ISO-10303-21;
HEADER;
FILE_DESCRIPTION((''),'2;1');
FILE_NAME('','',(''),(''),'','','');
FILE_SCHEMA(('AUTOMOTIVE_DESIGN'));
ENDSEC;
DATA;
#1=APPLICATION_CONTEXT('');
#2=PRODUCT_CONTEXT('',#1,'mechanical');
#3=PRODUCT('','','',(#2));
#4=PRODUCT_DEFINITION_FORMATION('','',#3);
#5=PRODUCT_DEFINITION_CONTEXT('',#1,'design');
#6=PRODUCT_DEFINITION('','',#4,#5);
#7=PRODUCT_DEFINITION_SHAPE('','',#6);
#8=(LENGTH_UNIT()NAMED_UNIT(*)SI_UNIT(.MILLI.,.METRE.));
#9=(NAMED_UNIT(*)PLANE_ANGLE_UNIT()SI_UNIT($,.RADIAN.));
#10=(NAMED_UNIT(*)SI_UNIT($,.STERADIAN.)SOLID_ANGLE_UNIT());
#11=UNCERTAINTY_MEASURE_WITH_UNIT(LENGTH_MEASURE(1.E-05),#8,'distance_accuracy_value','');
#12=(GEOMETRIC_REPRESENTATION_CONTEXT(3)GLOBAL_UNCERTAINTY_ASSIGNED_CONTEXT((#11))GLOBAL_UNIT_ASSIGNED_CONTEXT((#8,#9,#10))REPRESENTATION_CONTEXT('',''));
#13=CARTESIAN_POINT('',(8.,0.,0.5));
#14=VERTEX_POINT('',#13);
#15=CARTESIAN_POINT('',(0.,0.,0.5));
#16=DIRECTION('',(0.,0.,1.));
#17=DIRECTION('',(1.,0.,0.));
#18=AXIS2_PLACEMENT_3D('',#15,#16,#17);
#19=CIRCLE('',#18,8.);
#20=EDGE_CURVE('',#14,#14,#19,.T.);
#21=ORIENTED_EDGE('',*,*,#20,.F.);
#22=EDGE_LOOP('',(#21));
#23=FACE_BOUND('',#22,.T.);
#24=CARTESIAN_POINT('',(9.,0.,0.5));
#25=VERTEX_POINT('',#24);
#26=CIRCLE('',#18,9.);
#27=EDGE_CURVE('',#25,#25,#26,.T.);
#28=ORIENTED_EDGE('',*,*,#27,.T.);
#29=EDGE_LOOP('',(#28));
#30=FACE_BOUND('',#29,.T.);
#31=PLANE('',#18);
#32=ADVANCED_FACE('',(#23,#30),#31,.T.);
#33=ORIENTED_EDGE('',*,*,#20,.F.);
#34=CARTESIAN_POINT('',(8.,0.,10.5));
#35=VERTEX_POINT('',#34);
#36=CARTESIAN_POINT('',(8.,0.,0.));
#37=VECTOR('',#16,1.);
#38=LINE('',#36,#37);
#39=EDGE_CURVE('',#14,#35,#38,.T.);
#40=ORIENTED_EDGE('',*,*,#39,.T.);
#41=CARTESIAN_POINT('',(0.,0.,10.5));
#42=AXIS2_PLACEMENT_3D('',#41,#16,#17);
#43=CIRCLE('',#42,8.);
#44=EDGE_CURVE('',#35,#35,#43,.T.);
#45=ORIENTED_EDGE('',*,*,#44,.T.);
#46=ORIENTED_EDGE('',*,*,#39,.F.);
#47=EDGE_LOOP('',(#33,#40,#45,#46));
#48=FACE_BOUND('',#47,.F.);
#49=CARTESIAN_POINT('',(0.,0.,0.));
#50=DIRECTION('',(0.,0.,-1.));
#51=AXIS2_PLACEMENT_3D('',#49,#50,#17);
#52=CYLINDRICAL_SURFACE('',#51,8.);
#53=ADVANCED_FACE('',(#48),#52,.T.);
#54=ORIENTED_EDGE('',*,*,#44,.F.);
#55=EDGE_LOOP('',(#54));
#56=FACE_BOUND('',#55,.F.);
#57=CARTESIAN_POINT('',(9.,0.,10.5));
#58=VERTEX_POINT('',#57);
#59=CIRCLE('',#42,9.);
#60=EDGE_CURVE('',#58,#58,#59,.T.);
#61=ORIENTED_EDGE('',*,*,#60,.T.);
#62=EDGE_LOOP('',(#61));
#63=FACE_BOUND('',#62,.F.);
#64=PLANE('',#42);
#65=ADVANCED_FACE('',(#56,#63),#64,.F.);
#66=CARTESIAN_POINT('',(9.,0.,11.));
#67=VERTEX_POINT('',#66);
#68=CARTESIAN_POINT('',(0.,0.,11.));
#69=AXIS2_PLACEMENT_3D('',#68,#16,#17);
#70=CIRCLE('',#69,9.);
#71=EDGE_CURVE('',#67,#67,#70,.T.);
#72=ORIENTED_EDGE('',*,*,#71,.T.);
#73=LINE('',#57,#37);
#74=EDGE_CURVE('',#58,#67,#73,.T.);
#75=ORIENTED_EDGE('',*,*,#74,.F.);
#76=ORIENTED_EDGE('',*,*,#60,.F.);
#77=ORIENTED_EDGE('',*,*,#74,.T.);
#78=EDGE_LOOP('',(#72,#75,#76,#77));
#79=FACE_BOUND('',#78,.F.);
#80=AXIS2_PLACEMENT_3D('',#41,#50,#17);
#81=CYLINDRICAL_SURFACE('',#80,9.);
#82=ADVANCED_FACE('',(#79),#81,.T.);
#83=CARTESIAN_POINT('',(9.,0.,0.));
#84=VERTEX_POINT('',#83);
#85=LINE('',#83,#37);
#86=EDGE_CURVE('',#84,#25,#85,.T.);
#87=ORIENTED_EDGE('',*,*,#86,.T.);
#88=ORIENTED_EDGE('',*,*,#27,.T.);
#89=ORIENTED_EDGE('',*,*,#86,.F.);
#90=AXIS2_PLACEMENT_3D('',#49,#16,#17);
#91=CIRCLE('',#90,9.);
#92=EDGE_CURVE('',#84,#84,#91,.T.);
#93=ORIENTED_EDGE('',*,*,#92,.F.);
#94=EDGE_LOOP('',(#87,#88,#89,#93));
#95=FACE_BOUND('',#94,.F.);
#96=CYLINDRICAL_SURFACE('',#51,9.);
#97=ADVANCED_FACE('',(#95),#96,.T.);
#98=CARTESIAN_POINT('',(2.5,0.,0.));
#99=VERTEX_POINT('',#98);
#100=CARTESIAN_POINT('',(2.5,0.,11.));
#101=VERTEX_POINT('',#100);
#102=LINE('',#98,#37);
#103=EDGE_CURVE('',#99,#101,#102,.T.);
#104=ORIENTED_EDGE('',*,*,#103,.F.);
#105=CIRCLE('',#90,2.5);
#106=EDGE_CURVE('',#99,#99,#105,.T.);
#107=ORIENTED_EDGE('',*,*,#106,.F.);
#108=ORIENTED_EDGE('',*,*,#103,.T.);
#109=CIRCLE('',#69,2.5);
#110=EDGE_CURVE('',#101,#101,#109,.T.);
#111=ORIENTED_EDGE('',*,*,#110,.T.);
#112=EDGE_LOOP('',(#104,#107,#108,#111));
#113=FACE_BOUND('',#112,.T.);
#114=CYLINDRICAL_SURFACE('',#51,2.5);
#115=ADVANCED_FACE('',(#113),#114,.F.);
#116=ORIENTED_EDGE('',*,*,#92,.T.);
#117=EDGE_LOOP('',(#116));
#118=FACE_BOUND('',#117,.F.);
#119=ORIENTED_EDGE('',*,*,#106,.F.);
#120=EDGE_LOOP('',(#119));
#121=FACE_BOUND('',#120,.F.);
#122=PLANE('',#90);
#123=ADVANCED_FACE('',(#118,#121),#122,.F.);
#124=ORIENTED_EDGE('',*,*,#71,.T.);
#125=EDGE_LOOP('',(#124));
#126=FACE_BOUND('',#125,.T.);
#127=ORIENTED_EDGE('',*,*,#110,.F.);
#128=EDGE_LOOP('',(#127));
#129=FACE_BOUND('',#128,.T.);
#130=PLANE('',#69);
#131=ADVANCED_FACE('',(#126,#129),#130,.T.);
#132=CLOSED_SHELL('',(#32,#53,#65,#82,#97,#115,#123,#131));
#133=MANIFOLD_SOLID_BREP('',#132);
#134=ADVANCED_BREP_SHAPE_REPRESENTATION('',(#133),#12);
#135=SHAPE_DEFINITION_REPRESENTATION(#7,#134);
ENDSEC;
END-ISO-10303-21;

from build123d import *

# Parameters (mm, degrees)
F0_R     = 8
F0_R_2   = 2.5
F1_DEPTH = 11
F0_R_3   = 9
F2_DEPTH = 0.5
F3_START = 10.5
F3_DEPTH = 0.5


with BuildPart() as f1:
    # F0 (on Top) → F1 (new body)
    with BuildSketch(Plane.XY):
        Circle(F0_R)
        Circle(F0_R_2, mode=Mode.SUBTRACT)
    extrude(amount=F1_DEPTH)

    # F0 (on Top) → F2 (join)
    with BuildSketch(Plane.XY):
        Circle(F0_R_3)
        Circle(F0_R, mode=Mode.SUBTRACT)
    extrude(amount=F2_DEPTH)

    # F0 (on Top) → F3 (join)
    with BuildSketch(Plane.XY.offset(F3_START)):
        Circle(F0_R_3)
        Circle(F0_R, mode=Mode.SUBTRACT)
    extrude(amount=F3_DEPTH)


solid = f1.part
